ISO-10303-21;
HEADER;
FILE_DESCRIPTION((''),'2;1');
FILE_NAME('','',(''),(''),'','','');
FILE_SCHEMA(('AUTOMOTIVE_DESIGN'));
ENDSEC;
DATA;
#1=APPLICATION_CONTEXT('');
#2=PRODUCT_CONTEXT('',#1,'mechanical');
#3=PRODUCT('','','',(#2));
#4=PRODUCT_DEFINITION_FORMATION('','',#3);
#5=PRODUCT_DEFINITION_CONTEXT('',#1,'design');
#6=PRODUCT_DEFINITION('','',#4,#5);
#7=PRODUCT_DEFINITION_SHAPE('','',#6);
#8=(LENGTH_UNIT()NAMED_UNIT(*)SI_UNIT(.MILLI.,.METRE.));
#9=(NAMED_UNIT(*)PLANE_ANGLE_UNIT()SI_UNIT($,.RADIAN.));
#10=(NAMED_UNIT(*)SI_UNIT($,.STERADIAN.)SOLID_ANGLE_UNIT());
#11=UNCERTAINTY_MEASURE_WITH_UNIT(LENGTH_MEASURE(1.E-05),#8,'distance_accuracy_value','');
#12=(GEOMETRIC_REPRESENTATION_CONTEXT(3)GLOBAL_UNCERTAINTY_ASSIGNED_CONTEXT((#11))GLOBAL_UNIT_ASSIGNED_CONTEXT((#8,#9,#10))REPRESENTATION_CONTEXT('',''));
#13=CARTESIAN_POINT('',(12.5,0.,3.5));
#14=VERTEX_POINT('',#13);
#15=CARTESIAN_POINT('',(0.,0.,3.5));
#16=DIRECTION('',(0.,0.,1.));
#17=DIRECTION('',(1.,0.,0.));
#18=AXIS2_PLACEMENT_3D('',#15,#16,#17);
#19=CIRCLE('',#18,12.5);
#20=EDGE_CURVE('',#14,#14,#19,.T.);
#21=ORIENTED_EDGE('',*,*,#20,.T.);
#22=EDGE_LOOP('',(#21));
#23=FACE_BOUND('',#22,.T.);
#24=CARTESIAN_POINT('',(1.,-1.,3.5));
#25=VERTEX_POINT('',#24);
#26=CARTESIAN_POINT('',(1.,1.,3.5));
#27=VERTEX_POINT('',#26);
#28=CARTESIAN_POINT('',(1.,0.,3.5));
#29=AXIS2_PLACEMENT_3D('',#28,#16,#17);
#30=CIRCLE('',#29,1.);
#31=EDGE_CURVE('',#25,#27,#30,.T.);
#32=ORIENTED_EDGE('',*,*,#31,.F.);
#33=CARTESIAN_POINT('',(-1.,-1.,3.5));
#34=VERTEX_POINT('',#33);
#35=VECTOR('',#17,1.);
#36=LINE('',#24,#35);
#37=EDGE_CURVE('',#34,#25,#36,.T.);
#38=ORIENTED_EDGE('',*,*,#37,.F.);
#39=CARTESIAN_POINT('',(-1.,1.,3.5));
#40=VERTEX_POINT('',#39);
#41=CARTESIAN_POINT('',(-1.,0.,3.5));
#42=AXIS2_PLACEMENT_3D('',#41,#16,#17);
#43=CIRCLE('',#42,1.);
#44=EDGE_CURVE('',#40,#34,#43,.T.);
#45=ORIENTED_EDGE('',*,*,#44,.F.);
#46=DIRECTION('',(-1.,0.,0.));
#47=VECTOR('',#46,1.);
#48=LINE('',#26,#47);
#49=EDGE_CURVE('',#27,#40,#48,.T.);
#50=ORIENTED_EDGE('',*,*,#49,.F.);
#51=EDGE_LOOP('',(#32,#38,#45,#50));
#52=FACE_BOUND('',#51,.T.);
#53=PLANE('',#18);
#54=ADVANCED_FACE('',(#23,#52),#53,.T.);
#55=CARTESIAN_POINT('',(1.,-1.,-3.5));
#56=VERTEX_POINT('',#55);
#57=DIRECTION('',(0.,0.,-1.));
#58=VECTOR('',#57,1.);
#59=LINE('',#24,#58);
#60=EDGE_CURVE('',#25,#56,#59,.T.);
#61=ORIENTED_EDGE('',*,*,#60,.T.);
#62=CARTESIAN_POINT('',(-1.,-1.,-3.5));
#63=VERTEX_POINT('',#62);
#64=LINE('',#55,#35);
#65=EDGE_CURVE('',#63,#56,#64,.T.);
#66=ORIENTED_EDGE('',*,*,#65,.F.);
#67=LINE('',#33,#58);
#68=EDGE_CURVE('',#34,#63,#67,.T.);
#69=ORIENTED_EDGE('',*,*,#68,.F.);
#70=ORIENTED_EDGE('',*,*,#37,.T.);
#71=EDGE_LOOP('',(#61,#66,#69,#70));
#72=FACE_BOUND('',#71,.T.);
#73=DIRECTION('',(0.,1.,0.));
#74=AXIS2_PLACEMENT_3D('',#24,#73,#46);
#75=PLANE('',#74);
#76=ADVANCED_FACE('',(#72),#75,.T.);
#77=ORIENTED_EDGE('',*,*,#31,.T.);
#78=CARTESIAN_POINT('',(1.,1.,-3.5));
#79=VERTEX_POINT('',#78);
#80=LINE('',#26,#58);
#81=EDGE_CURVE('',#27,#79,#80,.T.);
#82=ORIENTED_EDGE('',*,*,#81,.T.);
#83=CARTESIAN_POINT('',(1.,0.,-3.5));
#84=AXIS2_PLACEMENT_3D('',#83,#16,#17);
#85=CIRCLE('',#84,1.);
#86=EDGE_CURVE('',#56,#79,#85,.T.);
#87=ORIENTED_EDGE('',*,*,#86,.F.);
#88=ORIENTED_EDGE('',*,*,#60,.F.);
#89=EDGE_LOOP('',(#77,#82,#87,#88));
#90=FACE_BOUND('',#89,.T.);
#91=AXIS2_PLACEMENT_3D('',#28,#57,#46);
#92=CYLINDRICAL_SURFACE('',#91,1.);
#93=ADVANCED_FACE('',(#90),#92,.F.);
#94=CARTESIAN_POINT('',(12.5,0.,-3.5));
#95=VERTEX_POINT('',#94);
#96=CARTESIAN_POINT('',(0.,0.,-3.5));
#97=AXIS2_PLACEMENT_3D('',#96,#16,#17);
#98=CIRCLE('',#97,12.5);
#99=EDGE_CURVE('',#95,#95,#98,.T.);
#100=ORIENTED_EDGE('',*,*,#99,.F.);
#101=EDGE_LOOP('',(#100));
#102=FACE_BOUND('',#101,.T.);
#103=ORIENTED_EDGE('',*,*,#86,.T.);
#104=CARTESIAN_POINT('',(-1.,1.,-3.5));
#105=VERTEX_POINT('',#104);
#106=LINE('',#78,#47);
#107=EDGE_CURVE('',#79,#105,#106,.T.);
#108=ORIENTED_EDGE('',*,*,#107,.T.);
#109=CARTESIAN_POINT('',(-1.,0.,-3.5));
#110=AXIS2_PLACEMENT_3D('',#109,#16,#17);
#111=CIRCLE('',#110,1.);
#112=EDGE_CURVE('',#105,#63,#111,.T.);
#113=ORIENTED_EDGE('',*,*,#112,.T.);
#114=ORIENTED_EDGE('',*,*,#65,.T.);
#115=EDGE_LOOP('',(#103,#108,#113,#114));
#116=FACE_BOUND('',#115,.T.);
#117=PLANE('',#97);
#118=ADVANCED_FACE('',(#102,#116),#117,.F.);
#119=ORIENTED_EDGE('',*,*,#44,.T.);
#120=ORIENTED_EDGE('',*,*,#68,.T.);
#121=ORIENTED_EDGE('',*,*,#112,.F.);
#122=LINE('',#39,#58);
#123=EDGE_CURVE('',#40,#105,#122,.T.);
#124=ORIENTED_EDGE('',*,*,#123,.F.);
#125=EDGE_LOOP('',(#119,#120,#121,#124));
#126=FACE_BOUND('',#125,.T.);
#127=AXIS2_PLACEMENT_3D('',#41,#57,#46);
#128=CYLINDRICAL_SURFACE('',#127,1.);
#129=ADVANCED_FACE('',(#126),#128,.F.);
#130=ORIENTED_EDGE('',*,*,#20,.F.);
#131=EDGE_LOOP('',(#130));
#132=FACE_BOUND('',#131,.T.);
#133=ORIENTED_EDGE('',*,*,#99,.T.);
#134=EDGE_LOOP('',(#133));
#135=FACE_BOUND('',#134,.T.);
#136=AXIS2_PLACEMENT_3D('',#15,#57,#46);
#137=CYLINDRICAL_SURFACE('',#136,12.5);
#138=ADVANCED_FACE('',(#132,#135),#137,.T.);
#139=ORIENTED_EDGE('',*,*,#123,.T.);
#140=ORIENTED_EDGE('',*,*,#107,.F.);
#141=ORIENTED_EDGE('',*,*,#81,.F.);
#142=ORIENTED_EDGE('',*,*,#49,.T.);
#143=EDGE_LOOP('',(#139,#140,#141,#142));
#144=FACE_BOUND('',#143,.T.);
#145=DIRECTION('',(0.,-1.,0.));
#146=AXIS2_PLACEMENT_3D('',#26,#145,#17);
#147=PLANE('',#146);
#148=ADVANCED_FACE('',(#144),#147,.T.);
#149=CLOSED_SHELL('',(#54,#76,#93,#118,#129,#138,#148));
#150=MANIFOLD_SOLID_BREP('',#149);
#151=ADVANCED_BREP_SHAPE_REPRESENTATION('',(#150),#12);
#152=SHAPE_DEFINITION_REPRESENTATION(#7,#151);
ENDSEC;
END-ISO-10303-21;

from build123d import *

# Parameters (mm, degrees)
SKETCH1_R           = 12.5
BOSS_EXTRUDE1_DEPTH = 3.5


with BuildPart() as part:
    # Sketch1 → Boss-Extrude1 (new body, symmetric)
    with BuildSketch(Plane.XY):
        Circle(SKETCH1_R)
        with BuildLine():
            Line((1, -1), (-1, -1))
            ThreePointArc((-1, -1), (-2, 0), (-1, 1))
            Line((-1, 1), (1, 1))
            ThreePointArc((1, 1), (2, 0), (1, -1))
        make_face(mode=Mode.SUBTRACT)
    extrude(amount=BOSS_EXTRUDE1_DEPTH, both=True)


solid = part.part
